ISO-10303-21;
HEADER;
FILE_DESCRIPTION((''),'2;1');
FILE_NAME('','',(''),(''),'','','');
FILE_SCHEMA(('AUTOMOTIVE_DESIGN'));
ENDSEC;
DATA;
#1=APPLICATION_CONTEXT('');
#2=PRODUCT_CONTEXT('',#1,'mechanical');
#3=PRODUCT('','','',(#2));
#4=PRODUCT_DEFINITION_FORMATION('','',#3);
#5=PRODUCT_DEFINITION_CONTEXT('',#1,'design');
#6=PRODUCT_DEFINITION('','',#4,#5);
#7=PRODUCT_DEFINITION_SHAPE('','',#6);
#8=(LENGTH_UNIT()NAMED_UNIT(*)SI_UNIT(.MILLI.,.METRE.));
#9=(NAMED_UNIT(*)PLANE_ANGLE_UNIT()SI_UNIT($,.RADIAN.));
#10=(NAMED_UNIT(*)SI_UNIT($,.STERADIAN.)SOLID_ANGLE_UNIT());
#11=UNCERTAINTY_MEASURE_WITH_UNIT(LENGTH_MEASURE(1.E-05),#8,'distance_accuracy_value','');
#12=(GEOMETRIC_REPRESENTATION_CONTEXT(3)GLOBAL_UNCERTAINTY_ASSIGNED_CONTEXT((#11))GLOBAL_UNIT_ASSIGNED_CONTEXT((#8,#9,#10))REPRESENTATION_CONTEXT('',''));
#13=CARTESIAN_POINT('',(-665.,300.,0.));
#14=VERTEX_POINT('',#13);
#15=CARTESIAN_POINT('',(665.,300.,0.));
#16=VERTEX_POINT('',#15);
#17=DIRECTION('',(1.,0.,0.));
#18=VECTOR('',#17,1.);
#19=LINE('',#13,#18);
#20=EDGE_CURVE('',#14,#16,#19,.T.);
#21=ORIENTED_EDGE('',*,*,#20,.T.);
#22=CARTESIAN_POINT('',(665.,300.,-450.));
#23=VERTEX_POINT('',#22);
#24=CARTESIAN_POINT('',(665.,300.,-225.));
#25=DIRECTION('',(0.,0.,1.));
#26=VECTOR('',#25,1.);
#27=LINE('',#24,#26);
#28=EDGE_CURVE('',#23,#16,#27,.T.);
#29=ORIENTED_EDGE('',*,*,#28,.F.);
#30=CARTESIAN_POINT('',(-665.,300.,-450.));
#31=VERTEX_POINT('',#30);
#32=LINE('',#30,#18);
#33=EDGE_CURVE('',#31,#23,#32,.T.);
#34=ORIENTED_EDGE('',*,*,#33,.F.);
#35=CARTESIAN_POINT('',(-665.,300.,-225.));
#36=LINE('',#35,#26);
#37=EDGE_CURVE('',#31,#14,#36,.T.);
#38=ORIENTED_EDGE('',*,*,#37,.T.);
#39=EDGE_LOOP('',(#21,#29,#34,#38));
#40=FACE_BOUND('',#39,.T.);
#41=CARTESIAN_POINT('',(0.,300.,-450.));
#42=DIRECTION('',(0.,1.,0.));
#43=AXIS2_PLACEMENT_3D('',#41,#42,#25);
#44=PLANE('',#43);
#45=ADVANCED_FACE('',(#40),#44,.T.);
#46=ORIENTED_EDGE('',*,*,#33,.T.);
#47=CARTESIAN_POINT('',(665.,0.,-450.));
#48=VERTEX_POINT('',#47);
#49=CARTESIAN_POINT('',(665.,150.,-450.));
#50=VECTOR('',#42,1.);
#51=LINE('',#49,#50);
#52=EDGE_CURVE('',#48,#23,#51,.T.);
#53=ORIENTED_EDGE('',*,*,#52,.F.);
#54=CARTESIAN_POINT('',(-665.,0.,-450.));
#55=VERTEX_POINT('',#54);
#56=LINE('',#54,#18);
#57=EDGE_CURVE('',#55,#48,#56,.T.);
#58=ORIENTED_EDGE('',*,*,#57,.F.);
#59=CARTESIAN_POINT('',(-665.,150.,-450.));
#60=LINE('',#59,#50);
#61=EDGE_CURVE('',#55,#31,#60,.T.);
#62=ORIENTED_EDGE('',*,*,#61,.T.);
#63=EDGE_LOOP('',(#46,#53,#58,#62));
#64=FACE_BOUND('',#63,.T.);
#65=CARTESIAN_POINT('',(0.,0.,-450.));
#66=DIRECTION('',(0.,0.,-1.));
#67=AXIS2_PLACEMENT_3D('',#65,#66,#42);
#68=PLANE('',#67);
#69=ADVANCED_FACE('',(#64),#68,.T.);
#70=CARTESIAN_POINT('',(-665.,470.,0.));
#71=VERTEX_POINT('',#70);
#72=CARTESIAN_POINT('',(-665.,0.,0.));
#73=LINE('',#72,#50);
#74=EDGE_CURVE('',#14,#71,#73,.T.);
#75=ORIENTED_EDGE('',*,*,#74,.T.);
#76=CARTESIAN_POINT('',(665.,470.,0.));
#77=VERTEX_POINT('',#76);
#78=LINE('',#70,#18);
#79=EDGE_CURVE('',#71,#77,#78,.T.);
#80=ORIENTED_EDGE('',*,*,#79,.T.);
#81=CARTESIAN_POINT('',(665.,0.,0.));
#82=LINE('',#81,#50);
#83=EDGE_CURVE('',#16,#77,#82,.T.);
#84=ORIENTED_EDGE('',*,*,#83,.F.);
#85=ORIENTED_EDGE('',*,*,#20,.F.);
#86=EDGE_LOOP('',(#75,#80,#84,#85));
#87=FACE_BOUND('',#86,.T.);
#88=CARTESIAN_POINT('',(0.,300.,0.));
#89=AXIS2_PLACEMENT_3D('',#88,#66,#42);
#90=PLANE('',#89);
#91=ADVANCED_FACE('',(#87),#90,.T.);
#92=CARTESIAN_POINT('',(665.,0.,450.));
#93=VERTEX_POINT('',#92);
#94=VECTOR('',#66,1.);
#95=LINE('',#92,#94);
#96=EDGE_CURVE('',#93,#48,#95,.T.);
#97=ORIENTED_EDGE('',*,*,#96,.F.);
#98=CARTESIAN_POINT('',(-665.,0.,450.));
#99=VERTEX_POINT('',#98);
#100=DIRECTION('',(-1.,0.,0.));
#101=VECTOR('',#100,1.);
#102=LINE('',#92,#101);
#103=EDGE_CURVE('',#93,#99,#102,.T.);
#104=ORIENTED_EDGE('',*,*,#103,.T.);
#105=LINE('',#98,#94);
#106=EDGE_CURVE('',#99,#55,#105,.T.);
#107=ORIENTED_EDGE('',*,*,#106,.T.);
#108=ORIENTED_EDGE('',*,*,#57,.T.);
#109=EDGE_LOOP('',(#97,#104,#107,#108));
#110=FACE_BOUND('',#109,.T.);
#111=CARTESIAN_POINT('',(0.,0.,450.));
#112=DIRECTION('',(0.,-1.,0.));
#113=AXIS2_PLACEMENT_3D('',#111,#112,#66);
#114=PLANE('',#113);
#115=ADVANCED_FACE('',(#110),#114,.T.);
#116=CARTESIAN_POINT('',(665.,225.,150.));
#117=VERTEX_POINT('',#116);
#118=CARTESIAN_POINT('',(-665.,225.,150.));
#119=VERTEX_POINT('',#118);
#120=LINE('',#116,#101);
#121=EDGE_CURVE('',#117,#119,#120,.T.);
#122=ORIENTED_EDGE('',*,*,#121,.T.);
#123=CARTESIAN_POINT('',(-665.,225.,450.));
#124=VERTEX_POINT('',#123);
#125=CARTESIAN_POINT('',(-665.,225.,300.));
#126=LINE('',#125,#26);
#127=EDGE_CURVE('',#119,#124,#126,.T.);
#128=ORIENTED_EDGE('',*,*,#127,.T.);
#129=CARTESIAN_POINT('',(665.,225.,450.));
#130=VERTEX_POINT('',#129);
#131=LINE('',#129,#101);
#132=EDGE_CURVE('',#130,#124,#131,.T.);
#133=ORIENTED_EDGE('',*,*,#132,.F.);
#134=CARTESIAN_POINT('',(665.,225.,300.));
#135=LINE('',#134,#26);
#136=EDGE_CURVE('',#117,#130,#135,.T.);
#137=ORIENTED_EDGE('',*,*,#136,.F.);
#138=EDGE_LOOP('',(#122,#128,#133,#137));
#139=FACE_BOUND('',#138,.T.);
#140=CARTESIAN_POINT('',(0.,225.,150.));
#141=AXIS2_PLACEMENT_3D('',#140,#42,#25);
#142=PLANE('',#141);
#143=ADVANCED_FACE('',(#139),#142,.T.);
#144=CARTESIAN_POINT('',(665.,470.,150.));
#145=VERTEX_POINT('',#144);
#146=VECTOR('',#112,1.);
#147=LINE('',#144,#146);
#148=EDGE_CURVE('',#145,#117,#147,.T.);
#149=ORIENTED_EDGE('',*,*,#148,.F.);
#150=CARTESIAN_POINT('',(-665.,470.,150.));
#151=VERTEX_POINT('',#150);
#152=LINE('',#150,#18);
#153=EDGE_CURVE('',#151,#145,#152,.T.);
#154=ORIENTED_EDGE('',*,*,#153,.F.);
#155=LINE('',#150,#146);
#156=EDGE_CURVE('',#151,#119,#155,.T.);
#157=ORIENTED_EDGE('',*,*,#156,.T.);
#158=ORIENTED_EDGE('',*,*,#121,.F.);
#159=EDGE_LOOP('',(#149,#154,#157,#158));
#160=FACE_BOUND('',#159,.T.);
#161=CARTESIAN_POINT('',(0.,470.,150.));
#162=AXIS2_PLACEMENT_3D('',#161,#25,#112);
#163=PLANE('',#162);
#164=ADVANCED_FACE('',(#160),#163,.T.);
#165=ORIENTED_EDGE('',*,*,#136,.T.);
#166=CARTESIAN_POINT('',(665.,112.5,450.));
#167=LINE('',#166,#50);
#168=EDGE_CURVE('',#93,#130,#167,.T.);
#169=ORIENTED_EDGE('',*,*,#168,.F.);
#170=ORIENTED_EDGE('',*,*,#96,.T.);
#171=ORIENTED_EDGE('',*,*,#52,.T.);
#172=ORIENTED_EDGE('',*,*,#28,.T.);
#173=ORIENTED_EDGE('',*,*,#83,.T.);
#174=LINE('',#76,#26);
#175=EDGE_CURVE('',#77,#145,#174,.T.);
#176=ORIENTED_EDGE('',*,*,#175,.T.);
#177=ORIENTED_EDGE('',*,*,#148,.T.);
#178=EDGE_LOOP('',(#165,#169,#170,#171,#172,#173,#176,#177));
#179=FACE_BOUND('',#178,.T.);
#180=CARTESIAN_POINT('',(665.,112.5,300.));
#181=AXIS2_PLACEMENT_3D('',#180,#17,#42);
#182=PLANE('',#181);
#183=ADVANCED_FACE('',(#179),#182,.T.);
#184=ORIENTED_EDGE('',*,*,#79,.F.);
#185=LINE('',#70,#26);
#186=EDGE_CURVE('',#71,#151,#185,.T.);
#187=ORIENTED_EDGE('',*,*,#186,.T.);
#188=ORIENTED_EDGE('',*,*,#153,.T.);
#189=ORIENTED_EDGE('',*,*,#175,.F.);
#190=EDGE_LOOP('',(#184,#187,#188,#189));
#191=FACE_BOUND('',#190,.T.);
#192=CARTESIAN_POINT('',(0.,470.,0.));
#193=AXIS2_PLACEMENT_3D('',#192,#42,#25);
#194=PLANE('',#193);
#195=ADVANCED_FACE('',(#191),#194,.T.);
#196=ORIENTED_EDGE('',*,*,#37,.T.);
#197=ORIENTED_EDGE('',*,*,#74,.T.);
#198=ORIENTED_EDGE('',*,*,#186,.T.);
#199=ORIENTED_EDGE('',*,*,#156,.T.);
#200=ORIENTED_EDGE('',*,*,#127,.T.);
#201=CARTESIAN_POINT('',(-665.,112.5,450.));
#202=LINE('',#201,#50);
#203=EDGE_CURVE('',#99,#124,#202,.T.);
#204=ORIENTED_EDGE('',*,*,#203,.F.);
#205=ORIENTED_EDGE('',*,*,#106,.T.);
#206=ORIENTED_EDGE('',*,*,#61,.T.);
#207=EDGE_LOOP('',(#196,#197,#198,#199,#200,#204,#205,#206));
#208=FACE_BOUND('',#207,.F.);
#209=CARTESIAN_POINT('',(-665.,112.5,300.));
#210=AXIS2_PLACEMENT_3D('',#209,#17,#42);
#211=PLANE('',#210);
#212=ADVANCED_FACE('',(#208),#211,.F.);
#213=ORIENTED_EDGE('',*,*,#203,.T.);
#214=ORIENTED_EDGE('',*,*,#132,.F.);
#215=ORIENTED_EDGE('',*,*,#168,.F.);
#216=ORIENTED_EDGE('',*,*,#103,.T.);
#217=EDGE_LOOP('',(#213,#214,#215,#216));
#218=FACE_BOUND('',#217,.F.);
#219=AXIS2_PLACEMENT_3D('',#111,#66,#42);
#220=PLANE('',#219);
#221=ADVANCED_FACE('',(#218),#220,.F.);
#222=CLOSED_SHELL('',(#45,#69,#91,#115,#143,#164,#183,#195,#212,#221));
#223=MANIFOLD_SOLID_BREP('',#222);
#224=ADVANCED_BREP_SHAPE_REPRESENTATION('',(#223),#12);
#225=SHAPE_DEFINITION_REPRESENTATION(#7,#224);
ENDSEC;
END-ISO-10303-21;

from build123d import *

# Parameters (mm, degrees)
F0_W     = 225
F0_H     = 300
F0_W_2   = 300
F0_H_2   = 450
F1_DEPTH = 665


with BuildPart() as f1:
    # F0 (on Right) → F1 (new body, symmetric)
    with BuildSketch(Plane.YZ):
        with Locations((112.5, 300)):
            Rectangle(F0_W, F0_H)
        Polygon((0, 150), (0, 0), (300, 0), (470, 0), (470, 150), (225, 150), align=None)
        with Locations((150, -225)):
            Rectangle(F0_W_2, F0_H_2)
    extrude(amount=F1_DEPTH, both=True)


solid = f1.part
